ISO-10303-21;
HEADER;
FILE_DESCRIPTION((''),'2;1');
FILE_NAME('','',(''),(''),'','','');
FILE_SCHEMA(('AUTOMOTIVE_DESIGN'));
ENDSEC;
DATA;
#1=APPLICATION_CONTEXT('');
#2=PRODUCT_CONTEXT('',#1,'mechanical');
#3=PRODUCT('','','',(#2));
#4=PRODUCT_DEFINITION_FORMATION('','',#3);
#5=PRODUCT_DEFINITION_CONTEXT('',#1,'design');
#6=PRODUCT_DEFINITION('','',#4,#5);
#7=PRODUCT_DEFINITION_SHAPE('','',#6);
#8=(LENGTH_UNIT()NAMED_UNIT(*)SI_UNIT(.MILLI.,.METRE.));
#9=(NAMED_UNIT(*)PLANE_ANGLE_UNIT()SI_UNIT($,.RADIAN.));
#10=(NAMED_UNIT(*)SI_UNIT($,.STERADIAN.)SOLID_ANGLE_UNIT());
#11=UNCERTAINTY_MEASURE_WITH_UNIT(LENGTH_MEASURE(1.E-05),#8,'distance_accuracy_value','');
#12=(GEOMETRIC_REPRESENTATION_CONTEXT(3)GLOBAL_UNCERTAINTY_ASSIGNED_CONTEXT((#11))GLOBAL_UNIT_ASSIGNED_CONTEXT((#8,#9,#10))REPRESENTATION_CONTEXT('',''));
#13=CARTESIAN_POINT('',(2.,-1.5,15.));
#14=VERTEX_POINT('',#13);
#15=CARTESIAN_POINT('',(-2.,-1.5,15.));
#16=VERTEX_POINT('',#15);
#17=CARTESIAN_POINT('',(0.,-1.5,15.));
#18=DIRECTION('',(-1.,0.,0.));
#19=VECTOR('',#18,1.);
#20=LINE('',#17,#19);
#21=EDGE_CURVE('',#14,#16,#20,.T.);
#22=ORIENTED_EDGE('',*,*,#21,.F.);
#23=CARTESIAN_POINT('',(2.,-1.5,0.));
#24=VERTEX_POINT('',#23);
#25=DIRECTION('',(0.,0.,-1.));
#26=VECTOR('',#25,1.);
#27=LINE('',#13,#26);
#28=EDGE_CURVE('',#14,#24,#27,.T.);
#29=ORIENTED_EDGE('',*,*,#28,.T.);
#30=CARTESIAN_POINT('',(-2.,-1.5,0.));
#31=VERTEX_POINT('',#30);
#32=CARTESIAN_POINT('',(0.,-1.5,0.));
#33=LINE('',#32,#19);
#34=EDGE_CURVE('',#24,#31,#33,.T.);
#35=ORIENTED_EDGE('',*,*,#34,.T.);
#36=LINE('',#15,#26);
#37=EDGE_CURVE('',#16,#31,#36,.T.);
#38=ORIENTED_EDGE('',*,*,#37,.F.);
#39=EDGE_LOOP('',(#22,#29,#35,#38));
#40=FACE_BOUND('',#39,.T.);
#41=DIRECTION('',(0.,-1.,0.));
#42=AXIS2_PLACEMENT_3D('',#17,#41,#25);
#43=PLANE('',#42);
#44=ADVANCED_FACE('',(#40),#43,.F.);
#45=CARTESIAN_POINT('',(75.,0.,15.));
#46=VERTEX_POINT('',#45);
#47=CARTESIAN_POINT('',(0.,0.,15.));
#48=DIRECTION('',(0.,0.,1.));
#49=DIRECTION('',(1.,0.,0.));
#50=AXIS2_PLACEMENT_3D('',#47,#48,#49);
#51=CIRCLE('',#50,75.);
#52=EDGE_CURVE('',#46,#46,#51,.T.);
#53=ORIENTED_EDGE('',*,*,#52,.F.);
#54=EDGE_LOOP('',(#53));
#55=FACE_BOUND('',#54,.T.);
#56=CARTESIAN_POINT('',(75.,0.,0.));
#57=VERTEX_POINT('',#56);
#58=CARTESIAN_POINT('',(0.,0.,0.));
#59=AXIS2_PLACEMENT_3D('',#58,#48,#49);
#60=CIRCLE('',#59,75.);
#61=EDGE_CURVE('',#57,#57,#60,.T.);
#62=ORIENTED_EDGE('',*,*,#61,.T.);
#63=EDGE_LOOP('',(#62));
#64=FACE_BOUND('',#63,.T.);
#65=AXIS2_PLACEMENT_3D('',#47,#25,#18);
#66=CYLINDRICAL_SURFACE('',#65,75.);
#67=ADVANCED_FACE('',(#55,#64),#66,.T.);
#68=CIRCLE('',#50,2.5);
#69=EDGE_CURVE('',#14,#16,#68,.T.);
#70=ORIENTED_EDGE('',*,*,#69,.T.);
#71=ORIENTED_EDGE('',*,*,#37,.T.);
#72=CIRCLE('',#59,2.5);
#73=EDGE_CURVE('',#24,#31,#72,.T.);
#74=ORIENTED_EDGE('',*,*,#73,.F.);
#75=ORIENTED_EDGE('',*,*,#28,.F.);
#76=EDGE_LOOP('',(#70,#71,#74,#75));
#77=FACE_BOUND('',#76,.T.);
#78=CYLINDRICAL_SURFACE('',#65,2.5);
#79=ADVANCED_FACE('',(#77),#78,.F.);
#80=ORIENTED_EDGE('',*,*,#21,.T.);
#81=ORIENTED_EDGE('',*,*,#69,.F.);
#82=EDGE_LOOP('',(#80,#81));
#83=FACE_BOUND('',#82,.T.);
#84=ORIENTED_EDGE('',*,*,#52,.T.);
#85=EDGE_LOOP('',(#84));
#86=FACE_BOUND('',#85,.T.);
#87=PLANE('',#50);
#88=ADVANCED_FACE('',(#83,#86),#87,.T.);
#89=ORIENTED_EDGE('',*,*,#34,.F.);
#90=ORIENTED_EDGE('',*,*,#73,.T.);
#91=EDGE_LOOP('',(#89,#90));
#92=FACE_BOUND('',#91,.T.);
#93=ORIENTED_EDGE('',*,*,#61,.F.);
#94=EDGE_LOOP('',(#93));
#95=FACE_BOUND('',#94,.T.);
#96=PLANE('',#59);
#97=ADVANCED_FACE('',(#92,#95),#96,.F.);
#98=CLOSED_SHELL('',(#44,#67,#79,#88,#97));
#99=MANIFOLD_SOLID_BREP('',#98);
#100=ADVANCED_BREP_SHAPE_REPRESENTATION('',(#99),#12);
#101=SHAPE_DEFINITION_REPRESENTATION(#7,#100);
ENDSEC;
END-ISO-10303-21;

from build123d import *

# Parameters (mm, degrees)
CROQUIS1_R              = 75
CROQUIS1_R_2            = 2.5
SALIENTE_EXTRUIR1_DEPTH = 15


with BuildPart() as part:
    # Croquis1 → Saliente-Extruir1 (new body)
    # profile 1 of 2: a face of its own
    with BuildSketch(Plane.XY):
        Circle(CROQUIS1_R)
        Circle(CROQUIS1_R_2, mode=Mode.SUBTRACT)
    # profile 2 of 2: a face of its own
    with BuildSketch(Plane.XY):
        with BuildLine():
            Line((2, -1.5), (0, -1.5))
            Line((0, -1.5), (-2, -1.5))
            ThreePointArc((-2, -1.5), (0, -2.5), (2, -1.5))
        make_face()
    extrude(amount=SALIENTE_EXTRUIR1_DEPTH)


solid = part.part
